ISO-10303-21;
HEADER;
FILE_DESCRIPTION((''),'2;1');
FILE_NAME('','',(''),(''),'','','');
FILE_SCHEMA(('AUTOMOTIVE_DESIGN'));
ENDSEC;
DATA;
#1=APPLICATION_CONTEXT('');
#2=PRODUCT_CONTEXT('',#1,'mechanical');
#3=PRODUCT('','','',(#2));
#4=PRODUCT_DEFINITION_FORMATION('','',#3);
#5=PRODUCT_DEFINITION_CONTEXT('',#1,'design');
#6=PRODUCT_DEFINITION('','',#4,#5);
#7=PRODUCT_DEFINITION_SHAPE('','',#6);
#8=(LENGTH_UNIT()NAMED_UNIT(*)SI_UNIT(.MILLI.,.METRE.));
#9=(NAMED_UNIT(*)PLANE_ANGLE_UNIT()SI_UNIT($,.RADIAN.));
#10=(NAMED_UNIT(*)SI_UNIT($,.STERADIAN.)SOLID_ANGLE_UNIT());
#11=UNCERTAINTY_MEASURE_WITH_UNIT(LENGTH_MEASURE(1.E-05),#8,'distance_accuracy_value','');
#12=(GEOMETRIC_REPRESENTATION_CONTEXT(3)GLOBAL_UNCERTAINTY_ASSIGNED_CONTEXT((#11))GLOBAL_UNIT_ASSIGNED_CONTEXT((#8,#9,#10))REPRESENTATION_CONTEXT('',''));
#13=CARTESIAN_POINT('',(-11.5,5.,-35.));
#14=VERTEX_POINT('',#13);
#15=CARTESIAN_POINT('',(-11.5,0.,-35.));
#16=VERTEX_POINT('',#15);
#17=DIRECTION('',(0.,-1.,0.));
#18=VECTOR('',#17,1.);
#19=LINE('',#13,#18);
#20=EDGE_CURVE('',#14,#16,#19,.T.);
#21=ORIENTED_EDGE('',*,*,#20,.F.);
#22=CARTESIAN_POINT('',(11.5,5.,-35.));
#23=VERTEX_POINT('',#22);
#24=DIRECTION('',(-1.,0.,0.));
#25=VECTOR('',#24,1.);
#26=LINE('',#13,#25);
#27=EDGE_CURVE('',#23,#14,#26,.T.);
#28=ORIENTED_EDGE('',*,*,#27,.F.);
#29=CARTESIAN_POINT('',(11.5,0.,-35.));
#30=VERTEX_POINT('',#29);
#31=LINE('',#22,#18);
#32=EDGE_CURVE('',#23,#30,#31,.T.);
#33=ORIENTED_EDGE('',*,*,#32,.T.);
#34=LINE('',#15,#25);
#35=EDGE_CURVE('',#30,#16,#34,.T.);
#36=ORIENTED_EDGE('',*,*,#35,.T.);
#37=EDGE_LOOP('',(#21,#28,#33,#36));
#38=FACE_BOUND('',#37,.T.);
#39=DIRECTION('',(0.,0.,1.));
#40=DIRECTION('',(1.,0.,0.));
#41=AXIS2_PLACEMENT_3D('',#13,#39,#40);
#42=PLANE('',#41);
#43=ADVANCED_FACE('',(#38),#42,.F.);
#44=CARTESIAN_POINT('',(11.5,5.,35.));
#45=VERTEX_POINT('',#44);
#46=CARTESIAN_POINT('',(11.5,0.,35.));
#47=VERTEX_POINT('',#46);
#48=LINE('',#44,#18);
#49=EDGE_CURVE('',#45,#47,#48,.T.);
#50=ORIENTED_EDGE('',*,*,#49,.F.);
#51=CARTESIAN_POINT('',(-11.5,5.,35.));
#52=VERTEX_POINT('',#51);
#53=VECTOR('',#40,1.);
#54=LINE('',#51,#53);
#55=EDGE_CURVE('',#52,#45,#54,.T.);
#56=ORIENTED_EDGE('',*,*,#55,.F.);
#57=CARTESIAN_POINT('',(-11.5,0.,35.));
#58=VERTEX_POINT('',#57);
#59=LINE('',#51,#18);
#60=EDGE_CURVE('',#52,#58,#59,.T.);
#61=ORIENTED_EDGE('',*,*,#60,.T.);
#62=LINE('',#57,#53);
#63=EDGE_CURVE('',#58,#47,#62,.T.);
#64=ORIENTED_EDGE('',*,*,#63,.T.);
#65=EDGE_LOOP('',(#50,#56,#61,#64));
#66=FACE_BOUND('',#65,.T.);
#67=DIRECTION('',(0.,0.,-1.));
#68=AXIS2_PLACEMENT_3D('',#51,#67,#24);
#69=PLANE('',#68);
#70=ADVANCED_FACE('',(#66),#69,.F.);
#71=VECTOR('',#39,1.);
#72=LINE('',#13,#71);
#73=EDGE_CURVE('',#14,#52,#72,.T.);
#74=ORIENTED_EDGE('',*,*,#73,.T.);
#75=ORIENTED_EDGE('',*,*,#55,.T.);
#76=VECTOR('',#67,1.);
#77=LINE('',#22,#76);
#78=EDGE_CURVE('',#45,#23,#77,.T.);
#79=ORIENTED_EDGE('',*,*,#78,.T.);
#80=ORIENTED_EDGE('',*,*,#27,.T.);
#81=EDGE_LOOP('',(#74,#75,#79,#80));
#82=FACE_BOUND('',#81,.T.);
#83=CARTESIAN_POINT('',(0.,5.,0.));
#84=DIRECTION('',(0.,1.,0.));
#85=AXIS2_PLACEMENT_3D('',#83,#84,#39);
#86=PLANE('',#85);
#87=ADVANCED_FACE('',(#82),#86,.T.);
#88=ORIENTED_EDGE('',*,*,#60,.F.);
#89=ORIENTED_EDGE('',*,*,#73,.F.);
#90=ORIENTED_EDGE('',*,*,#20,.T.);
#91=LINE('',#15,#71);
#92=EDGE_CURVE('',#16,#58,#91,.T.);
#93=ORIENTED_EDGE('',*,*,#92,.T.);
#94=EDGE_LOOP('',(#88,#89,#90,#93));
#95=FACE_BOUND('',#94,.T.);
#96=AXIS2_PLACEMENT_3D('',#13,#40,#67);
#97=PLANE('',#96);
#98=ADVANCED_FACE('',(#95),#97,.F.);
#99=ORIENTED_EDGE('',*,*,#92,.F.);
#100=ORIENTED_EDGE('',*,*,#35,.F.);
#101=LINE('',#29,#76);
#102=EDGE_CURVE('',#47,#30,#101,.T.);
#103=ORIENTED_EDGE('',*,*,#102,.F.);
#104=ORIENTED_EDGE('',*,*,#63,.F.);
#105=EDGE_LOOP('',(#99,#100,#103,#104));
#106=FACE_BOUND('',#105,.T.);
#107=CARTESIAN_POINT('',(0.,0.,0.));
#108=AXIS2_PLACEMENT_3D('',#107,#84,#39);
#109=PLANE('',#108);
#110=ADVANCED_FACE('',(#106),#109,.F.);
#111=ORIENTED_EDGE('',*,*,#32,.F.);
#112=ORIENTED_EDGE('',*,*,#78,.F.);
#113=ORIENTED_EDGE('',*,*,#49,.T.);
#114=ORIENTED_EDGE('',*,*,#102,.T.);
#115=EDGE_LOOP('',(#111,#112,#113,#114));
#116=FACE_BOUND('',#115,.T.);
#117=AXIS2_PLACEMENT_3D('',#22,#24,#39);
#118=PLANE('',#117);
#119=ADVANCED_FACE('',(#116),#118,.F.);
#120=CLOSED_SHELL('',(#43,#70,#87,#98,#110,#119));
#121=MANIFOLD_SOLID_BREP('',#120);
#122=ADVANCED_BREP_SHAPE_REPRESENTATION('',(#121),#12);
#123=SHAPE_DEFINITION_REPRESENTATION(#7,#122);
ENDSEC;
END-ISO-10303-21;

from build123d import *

# Parameters (mm, degrees)
SKETCH_1_W      = 23
SKETCH_1_H      = 70
EXTRUDE_1_DEPTH = 5


with BuildPart() as part:
    # 草图1 → 凸台-拉伸1 (new body)
    with BuildSketch(Plane(origin=(0, 0, 0), x_dir=(1, 0, 0), z_dir=(0, 1, 0))):
        Rectangle(SKETCH_1_W, SKETCH_1_H)
    extrude(amount=EXTRUDE_1_DEPTH)


solid = part.part
